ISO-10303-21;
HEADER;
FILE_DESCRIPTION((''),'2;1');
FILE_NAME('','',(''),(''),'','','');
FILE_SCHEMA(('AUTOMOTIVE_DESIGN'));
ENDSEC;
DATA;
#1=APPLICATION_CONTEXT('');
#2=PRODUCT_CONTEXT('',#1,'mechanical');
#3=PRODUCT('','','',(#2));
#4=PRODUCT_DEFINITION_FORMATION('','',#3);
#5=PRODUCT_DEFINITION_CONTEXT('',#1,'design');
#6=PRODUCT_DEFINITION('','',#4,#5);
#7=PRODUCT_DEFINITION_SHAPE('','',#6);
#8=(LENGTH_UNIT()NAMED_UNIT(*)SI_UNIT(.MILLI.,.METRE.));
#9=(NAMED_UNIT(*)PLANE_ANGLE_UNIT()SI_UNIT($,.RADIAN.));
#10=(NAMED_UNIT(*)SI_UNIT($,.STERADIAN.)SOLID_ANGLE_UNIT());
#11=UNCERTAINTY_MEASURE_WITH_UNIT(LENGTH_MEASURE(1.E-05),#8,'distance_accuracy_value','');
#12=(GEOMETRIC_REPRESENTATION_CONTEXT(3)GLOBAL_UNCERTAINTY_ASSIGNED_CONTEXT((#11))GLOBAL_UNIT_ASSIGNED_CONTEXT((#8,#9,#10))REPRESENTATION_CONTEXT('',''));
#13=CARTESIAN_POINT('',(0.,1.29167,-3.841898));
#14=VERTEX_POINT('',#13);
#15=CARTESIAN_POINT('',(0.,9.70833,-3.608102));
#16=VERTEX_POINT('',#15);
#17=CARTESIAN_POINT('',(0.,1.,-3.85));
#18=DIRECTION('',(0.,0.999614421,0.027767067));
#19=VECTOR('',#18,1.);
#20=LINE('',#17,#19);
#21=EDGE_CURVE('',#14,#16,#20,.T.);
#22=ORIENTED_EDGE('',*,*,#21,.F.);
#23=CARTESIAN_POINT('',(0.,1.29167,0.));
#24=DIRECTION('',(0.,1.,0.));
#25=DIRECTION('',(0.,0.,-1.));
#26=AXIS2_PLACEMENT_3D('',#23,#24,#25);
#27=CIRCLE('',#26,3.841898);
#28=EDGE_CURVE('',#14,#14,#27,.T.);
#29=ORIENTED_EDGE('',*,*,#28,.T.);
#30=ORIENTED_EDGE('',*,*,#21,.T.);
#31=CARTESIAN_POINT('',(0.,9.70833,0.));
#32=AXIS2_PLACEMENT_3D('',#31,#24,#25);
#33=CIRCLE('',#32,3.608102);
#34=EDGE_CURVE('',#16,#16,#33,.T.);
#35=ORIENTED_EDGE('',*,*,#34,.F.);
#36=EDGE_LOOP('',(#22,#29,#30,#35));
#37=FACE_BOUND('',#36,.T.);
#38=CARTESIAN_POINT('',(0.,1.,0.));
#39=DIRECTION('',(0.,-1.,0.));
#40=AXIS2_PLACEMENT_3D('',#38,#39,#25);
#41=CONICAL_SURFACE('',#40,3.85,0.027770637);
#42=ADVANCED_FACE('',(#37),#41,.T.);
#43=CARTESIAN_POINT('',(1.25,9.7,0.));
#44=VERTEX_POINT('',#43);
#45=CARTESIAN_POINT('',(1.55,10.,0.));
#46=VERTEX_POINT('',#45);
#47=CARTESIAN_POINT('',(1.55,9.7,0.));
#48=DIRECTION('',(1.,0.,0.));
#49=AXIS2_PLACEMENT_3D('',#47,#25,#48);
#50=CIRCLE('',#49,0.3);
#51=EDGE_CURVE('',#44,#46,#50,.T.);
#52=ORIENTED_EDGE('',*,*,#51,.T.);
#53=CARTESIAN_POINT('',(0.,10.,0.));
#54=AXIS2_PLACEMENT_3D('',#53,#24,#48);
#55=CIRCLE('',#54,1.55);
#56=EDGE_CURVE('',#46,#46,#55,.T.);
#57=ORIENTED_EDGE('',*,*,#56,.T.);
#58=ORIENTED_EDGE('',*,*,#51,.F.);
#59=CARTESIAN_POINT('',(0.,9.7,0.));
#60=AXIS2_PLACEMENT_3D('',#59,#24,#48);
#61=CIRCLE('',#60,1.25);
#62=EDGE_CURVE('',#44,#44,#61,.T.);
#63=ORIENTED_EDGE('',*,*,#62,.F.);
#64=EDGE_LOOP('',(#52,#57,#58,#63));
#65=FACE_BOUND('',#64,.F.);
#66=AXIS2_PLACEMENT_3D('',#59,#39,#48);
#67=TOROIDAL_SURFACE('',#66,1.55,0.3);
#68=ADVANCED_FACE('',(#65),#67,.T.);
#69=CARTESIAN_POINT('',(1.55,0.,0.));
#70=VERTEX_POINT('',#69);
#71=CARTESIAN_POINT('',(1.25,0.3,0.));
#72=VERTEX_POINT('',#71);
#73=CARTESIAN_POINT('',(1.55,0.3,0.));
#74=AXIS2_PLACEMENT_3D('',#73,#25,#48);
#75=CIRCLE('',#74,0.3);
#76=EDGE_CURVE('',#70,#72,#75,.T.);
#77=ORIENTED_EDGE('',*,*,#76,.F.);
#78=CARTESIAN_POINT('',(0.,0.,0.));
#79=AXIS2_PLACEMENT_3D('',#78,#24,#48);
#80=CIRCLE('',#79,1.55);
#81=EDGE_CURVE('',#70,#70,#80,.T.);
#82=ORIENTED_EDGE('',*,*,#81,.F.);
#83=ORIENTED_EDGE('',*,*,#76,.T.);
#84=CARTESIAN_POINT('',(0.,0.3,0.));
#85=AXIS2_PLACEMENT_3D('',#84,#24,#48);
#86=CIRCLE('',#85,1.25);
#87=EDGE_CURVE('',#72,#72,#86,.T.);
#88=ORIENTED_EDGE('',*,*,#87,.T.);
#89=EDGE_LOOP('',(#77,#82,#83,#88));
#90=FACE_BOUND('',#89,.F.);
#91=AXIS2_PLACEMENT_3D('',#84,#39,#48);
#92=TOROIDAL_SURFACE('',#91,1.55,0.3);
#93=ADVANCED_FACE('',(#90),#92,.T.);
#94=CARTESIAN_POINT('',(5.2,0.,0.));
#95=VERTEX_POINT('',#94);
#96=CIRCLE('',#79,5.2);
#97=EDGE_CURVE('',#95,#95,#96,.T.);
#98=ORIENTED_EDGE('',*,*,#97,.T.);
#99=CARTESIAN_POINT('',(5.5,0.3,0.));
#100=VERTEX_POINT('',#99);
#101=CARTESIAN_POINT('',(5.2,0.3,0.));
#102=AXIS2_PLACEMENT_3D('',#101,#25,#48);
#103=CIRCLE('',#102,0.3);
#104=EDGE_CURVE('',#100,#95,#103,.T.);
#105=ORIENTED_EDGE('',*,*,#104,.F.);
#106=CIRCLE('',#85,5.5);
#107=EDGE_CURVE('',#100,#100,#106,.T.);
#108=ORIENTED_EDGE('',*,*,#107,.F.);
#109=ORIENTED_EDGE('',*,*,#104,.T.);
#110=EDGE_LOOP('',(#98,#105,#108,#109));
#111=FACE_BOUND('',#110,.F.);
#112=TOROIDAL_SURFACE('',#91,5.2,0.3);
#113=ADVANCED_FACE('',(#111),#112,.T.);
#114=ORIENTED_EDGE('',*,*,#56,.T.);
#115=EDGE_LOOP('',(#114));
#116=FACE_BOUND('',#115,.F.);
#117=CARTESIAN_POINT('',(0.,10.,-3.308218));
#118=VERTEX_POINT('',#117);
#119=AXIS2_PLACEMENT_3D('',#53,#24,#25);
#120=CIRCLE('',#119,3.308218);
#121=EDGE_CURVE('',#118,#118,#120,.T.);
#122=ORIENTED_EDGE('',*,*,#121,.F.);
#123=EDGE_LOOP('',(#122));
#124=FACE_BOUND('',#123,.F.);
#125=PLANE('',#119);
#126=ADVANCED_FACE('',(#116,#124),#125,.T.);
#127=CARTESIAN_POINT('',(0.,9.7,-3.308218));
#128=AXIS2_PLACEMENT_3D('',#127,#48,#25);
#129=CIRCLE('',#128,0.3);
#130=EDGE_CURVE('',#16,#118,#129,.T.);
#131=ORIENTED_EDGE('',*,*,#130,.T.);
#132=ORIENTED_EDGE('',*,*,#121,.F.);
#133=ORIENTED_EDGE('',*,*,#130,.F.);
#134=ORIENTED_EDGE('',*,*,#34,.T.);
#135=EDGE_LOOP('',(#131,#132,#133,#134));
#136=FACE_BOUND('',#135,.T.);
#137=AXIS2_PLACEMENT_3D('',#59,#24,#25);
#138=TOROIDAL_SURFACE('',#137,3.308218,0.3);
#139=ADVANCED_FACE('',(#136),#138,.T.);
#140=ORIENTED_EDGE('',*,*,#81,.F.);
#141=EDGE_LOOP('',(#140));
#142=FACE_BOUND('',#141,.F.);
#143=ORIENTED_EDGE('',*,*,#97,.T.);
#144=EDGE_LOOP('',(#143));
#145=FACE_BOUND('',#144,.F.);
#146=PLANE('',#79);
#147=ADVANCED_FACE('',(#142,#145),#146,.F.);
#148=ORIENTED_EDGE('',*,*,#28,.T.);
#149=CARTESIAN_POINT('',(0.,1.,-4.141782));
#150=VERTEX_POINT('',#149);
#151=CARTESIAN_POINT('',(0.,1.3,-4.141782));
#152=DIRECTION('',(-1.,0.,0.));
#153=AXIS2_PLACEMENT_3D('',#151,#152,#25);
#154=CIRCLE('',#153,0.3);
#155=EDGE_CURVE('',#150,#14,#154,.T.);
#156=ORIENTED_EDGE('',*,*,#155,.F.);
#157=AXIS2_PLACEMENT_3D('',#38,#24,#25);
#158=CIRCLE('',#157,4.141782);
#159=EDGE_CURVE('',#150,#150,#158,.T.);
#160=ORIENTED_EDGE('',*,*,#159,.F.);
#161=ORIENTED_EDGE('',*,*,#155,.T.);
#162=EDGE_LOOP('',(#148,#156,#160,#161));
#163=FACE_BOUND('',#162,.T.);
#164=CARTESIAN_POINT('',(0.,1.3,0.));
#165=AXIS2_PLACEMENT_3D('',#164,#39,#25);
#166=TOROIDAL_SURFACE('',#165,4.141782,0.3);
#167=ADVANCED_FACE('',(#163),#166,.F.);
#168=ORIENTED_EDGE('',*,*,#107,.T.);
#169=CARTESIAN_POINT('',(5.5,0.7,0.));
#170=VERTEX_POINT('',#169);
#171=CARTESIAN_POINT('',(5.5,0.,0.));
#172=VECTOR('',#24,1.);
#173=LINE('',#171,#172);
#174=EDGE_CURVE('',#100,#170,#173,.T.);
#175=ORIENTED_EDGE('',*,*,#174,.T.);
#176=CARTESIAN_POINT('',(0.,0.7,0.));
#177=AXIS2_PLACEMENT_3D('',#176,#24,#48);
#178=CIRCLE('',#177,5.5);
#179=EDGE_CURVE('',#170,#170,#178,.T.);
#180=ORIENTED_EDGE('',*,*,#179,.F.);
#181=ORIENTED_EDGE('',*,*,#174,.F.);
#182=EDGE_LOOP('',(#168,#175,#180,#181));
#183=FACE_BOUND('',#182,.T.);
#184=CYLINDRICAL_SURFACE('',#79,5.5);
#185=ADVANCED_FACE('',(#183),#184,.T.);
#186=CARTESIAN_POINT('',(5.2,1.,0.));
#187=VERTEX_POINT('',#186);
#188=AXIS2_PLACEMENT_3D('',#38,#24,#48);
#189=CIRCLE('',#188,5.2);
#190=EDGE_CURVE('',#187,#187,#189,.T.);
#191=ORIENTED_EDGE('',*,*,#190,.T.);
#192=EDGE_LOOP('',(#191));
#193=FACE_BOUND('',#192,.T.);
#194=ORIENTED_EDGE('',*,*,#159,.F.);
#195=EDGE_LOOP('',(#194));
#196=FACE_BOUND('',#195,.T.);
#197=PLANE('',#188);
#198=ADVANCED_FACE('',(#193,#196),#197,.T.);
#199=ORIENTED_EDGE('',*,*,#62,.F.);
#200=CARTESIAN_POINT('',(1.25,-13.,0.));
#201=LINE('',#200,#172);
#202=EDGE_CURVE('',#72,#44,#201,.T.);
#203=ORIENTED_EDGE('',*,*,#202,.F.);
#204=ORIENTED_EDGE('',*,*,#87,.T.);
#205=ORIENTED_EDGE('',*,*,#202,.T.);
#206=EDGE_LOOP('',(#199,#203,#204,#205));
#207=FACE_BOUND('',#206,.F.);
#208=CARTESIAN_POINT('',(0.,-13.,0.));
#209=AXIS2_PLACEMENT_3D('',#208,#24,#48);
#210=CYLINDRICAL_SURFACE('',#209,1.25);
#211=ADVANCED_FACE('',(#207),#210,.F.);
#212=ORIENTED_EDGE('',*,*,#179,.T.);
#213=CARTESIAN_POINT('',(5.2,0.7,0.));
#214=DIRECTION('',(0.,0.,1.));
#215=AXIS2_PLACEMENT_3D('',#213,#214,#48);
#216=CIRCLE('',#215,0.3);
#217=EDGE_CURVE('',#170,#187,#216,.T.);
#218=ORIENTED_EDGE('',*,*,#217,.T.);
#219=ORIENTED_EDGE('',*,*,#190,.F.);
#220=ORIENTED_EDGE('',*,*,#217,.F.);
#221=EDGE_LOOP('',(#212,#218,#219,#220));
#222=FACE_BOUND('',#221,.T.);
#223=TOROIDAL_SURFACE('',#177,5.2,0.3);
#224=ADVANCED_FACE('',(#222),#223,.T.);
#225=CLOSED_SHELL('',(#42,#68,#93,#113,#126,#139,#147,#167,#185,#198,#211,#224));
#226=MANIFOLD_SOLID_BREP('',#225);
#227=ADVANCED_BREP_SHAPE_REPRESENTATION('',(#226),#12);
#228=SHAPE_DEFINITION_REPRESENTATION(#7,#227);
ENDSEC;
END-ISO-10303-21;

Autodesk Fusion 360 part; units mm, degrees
cylinder "Grundkörper Zylinder1" add diameter 11 height 1 placed x (1, 0, 0) y (0, 0, -1) z (0, 1, 0) at (0, 0, 0)
sketch "Skizze2" plane through (0, 0, 0) normal (1, 0, 0) x (0, 0, -1)
  line L0 (0, 1) -> (0, 10)
  line L1 (0, 10) -> (3.6, 10)
  line L2 (0, 1) -> (3.85, 1)
  line L3 (3.85, 1) -> (3.6, 10)
  dimension "d3" = 3.6
  dimension "d4" = 3.85
  dimension "d5" = 9
revolve "Drehen1" add sketch "Skizze2" angle 360 about axis through (0, 1, 0) along (0, 1, 0)
cylinder "Grundkörper Zylinder2" cut diameter 2.5 height -23 placed x (1, 0, 0) y (0, 0, -1) z (0, 1, 0) at (0, 10, 0)
fillet "Abrundung1" radius 0.3 6 faces at (5.4727, 0.6667, 0.5476) (4.9259, 1, 0.3691) (0.21, 10, -2.8021) (1.2438, 6.6667, 0.1245) (4.0629, 0, 0.2732) (3.5528, 2.2, 1.3944)
